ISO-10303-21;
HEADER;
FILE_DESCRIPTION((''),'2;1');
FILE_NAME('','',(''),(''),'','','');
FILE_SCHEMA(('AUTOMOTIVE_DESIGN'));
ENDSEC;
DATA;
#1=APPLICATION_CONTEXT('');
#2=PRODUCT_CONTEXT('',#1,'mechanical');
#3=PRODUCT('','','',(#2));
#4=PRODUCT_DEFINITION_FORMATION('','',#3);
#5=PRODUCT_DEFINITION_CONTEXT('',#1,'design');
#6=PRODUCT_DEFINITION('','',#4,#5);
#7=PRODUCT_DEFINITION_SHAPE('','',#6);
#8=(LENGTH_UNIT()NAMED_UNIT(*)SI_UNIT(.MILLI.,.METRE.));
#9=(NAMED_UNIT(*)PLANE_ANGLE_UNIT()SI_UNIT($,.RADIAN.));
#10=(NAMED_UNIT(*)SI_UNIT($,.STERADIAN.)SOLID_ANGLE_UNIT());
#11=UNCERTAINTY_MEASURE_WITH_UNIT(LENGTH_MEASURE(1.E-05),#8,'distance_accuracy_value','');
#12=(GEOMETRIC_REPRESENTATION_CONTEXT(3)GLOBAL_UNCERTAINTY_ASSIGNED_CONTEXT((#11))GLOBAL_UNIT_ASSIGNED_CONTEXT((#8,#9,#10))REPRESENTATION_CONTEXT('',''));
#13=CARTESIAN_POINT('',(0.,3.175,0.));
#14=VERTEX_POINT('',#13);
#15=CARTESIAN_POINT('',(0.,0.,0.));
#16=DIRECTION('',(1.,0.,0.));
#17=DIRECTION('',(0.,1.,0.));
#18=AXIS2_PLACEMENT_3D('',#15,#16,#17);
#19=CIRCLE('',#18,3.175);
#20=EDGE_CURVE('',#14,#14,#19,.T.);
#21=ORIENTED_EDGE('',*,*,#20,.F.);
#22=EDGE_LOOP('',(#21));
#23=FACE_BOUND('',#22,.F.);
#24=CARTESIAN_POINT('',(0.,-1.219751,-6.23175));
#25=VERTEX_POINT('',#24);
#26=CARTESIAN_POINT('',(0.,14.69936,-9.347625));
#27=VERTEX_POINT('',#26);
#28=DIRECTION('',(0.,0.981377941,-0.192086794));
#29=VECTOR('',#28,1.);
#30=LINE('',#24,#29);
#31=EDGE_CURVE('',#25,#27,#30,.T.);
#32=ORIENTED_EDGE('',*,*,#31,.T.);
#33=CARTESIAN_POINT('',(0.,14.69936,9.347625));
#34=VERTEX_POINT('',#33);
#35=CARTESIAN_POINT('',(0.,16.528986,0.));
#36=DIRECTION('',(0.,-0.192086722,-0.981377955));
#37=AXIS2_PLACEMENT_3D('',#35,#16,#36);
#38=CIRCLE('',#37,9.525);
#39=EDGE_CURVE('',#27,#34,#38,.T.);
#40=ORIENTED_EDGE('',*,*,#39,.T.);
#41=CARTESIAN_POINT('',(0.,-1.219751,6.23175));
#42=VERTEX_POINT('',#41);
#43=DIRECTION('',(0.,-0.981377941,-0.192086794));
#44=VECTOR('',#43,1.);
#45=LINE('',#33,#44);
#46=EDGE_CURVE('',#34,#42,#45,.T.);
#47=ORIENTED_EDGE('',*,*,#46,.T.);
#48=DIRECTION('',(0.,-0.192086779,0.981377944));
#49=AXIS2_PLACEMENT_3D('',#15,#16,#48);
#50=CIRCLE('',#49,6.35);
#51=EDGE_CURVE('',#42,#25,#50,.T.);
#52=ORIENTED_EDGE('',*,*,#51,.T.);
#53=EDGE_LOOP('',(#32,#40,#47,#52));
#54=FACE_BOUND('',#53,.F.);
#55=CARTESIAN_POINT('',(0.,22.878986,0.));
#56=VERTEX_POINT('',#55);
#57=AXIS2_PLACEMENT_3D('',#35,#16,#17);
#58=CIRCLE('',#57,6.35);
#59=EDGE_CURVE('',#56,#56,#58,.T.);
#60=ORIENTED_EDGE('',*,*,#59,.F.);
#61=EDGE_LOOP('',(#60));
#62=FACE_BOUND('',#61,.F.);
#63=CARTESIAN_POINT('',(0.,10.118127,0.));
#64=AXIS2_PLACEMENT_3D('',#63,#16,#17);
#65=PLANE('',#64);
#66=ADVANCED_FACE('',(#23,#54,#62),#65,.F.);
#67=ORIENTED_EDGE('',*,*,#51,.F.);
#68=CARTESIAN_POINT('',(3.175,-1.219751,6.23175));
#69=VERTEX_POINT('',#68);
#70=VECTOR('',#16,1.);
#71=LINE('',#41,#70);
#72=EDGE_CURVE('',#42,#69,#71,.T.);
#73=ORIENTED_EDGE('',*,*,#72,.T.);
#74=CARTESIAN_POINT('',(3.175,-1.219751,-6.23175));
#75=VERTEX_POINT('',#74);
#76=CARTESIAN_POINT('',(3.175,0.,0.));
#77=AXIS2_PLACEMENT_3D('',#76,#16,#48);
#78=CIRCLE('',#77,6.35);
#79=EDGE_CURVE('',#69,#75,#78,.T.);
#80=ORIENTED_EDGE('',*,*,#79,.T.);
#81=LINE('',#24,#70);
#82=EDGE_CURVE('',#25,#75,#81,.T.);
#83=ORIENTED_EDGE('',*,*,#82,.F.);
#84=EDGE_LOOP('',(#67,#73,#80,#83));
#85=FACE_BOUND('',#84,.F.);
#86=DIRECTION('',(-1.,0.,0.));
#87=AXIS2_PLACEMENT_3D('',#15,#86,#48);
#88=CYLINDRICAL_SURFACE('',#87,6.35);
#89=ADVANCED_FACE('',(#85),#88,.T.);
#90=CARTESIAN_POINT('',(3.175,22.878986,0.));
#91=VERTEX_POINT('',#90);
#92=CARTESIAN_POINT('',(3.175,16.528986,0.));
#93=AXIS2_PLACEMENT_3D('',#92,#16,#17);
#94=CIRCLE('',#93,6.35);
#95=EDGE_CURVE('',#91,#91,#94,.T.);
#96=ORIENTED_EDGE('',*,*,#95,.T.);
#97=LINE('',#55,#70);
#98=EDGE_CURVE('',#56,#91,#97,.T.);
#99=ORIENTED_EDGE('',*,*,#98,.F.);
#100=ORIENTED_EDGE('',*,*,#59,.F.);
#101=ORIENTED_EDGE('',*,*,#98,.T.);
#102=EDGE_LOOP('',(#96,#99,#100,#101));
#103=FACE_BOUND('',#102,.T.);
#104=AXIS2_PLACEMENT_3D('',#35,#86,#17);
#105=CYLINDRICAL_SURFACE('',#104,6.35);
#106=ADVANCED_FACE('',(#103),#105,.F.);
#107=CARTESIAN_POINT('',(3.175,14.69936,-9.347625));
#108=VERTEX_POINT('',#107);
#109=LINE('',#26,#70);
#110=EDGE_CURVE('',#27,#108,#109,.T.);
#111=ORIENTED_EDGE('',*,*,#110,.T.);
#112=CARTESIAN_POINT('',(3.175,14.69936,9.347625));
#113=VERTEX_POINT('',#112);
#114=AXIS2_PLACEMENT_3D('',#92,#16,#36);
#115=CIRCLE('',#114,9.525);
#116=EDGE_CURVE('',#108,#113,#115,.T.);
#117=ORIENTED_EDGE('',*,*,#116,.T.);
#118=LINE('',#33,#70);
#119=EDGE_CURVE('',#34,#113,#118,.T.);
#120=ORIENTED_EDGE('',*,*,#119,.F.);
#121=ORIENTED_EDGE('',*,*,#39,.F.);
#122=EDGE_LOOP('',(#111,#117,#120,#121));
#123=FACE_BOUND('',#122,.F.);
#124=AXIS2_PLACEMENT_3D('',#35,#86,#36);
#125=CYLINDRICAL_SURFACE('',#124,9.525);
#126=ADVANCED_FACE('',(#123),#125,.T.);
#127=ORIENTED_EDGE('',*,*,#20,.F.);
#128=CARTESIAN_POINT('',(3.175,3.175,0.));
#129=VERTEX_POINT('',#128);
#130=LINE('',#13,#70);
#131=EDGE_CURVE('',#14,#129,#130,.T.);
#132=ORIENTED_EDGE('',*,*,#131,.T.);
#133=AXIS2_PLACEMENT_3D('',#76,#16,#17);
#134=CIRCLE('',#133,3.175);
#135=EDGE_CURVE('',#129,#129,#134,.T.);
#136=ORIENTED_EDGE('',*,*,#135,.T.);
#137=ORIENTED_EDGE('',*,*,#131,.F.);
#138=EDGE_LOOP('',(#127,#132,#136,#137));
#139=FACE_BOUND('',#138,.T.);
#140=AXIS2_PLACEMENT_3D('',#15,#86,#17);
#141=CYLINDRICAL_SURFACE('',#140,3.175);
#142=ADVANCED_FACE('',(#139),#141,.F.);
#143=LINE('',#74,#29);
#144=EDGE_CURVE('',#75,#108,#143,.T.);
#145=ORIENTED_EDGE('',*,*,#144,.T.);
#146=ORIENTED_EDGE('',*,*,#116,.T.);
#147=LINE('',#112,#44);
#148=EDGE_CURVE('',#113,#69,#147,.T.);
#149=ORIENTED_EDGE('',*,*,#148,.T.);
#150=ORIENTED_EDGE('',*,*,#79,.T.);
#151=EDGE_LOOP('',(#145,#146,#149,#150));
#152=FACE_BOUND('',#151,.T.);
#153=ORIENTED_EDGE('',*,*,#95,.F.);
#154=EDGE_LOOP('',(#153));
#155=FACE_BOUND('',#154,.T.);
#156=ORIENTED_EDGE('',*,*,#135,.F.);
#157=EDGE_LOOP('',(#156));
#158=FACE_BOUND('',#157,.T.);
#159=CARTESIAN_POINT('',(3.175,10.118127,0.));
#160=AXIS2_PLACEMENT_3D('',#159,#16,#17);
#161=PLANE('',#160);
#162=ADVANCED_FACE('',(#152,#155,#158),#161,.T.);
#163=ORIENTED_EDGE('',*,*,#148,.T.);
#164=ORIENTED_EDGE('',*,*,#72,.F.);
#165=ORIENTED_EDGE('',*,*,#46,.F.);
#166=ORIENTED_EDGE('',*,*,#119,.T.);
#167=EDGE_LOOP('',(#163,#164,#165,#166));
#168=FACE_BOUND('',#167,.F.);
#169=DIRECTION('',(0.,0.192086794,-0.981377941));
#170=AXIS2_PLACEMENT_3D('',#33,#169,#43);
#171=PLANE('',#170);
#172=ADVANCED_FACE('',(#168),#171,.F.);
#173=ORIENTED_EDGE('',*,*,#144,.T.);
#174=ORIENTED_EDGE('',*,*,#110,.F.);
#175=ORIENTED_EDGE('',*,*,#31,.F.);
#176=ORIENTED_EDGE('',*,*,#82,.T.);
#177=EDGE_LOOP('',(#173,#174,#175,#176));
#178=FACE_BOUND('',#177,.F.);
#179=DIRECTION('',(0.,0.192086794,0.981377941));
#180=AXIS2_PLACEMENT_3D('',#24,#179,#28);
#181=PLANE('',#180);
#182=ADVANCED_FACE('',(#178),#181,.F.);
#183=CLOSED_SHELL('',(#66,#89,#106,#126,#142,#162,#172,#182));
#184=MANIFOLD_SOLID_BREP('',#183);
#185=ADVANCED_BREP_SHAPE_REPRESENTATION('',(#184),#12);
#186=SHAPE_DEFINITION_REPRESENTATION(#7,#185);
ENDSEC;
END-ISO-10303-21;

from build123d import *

# Parameters (mm, degrees)
F0_R     = 3.175
F0_R_2   = 6.35
F1_DEPTH = 3.175


with BuildPart() as f1:
    # F0 (on Right) → F1 (new body)
    with BuildSketch(Plane.YZ):
        with BuildLine():
            Line((14.69936, 9.347625), (-1.219751, 6.23175))
            ThreePointArc((-1.219751, 6.23175), (-6.35, 0), (-1.219751, -6.23175))
            Line((-1.219751, -6.23175), (14.69936, -9.347625))
            ThreePointArc((14.69936, -9.347625), (26.053986, 0), (14.69936, 9.347625))
        make_face()
        Circle(F0_R, mode=Mode.SUBTRACT)
        with Locations((16.528986, 0)):
            Circle(F0_R_2, mode=Mode.SUBTRACT)
    extrude(amount=F1_DEPTH)


solid = f1.part
